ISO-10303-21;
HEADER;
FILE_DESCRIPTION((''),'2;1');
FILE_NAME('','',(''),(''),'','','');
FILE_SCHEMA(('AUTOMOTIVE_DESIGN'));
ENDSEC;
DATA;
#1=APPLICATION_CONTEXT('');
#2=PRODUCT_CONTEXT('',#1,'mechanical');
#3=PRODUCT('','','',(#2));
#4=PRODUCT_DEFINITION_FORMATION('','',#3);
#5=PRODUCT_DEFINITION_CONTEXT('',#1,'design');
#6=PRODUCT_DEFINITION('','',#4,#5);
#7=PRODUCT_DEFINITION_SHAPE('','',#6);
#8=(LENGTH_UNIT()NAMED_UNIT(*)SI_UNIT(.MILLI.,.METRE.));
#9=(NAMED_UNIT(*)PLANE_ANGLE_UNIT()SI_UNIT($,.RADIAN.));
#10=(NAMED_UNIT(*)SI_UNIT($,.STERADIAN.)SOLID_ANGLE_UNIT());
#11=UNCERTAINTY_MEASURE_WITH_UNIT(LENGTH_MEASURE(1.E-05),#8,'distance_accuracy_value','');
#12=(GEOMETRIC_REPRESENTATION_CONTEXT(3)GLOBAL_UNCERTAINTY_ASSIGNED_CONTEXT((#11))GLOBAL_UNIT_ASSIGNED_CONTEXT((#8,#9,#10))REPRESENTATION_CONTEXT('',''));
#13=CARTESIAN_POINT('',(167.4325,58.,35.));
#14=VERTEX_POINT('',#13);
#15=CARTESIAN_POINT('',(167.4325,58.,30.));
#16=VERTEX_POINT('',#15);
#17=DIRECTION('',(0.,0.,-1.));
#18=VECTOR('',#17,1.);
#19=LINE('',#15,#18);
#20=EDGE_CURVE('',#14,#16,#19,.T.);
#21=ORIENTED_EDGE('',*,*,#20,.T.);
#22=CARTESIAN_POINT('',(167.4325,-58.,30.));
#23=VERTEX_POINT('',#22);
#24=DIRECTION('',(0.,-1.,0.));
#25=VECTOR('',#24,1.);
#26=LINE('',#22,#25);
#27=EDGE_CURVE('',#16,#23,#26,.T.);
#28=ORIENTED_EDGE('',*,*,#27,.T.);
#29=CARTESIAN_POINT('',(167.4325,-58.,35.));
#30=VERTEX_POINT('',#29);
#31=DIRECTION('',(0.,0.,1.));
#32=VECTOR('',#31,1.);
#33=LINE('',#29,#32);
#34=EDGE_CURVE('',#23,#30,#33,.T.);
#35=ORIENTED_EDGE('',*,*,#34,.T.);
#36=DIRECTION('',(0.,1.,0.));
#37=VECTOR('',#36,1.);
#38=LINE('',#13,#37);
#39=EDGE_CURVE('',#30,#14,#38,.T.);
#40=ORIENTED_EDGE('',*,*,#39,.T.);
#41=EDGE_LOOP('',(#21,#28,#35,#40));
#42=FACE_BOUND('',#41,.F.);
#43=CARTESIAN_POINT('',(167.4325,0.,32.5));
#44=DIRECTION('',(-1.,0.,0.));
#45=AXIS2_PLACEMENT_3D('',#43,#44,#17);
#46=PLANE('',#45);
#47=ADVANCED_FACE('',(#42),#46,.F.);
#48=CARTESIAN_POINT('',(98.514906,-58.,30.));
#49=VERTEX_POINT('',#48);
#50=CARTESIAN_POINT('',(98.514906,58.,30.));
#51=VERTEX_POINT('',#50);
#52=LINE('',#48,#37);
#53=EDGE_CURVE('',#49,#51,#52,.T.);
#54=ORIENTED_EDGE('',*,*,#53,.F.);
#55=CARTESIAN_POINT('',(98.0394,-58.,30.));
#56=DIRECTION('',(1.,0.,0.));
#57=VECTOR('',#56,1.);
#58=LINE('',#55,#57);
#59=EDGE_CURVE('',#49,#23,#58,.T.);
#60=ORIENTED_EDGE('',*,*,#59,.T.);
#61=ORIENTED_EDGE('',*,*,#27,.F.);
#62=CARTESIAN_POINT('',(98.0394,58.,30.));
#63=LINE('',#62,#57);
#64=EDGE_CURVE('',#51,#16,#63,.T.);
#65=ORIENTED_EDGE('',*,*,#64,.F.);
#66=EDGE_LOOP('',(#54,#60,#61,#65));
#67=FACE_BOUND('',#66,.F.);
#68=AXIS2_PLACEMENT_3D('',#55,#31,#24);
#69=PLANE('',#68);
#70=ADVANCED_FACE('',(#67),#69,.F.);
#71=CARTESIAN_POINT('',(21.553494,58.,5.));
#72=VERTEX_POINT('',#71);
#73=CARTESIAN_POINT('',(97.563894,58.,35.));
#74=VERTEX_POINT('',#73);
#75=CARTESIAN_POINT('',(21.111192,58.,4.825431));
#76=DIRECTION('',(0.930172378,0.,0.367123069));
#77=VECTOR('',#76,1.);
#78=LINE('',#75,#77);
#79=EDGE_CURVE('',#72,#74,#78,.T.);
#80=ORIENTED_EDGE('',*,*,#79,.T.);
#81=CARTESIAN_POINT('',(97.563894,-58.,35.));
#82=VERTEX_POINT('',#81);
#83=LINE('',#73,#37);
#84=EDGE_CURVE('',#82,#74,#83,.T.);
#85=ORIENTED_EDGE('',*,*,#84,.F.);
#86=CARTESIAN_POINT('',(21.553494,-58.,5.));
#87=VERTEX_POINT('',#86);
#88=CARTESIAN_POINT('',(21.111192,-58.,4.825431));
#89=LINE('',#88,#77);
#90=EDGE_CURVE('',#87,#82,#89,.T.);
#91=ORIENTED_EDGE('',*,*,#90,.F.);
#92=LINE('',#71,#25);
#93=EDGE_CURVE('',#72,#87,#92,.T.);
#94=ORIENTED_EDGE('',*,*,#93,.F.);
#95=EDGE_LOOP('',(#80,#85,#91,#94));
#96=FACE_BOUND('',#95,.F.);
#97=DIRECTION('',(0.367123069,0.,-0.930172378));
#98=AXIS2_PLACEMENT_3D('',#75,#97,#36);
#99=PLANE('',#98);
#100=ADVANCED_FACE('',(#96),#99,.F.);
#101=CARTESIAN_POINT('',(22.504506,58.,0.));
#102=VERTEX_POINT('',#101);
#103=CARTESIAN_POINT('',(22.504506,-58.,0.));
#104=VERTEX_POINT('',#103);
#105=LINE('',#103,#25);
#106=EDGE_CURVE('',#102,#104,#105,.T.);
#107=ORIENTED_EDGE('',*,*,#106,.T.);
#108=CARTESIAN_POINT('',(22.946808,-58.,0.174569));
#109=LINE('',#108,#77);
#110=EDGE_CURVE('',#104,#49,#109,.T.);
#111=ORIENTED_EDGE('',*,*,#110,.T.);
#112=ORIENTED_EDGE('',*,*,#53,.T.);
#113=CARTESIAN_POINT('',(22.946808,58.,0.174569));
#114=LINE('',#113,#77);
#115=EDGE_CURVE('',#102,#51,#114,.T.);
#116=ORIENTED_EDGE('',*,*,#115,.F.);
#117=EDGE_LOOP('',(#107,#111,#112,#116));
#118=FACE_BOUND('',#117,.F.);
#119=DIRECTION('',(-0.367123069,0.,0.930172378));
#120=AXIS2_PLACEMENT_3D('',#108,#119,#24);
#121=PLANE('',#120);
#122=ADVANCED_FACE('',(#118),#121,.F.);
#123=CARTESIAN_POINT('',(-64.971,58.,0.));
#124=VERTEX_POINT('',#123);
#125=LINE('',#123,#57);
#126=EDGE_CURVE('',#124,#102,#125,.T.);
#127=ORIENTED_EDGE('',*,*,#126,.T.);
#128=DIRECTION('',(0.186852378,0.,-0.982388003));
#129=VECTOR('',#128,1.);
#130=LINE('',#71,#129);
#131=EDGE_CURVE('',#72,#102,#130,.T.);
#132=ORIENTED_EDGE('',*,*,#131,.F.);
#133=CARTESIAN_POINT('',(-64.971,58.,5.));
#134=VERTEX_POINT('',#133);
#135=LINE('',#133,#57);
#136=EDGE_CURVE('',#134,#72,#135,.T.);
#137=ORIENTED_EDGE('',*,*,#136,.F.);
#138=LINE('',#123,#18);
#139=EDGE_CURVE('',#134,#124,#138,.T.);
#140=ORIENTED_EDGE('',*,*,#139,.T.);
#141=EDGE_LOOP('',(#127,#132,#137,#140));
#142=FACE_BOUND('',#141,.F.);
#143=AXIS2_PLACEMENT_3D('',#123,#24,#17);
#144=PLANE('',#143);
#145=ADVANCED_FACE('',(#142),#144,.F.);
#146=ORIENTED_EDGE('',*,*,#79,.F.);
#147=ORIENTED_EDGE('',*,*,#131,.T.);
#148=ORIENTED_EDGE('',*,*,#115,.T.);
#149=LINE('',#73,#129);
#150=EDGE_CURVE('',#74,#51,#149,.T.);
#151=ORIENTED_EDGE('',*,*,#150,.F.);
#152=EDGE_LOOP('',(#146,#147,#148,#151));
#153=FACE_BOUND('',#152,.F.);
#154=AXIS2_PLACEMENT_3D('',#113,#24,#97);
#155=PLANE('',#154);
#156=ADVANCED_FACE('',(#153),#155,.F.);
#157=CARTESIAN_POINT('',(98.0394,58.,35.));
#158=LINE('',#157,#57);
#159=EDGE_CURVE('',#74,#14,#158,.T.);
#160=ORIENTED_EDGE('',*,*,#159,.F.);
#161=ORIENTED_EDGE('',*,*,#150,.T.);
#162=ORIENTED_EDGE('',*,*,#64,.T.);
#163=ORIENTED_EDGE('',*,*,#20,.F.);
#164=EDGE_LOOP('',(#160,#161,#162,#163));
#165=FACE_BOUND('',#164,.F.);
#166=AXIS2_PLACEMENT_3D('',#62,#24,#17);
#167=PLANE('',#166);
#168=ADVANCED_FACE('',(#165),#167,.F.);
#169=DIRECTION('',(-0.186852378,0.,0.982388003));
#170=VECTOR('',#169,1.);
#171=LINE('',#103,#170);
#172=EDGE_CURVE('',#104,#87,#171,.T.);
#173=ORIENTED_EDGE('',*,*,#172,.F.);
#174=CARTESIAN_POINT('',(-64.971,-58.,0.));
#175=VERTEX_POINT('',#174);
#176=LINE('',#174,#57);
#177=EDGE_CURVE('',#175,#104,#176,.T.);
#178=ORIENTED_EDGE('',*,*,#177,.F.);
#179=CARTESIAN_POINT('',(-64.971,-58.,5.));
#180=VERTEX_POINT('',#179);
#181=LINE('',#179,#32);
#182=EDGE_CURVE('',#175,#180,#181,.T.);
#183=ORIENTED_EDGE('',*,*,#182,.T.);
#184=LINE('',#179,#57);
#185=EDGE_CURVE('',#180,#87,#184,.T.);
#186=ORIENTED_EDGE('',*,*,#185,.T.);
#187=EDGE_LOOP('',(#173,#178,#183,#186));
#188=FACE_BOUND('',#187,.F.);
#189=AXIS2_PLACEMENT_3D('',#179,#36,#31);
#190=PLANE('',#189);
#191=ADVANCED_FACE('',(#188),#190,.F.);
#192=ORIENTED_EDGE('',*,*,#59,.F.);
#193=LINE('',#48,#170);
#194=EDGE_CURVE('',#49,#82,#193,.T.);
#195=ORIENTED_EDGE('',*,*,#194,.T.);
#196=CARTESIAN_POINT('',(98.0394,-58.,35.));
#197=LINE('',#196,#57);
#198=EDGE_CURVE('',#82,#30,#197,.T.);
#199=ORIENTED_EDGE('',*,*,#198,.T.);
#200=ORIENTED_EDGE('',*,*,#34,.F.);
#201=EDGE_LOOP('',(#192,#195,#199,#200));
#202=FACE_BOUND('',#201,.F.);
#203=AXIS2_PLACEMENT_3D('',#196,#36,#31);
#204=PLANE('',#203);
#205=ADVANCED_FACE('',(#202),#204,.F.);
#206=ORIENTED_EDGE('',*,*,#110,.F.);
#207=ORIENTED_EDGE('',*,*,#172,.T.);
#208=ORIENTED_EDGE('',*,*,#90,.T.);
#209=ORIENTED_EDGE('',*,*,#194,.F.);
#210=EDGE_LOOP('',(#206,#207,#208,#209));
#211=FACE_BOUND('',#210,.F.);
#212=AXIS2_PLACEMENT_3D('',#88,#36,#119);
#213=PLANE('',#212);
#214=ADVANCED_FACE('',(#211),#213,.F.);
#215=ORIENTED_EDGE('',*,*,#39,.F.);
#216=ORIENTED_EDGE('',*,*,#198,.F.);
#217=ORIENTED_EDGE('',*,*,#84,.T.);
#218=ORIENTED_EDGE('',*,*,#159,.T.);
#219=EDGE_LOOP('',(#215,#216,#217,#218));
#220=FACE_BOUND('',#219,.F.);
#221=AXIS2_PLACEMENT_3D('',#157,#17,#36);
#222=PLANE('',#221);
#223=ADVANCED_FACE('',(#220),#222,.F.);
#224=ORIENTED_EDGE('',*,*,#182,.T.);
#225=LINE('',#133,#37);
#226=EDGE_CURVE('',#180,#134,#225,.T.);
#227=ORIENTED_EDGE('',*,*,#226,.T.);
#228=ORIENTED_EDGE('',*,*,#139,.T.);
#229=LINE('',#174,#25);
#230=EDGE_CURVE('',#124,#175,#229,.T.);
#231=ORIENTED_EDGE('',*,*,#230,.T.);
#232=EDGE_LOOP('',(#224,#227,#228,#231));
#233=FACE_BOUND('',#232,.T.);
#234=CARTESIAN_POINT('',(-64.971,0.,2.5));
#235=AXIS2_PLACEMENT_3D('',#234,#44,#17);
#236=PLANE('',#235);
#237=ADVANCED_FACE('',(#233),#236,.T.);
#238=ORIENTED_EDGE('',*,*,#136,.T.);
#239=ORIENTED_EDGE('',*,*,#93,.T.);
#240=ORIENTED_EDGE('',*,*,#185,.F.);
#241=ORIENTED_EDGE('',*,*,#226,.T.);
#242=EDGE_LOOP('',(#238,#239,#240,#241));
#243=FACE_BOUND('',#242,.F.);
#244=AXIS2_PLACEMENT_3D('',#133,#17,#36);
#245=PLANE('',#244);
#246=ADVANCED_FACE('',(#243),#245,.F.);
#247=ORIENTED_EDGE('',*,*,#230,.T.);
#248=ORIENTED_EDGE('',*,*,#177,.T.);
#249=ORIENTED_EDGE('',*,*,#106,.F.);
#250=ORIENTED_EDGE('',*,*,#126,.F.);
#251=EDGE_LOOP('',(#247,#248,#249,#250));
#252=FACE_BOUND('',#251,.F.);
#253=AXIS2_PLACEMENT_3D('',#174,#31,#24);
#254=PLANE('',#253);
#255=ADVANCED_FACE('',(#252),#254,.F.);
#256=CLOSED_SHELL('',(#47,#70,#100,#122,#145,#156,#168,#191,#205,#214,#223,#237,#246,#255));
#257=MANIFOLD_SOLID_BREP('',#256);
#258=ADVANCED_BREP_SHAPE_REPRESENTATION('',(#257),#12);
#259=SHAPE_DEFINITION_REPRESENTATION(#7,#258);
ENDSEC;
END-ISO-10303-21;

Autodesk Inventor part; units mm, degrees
ref_plane "YZ Plane" through (0, 0, 0) normal (1, 0, 0) x (0, 1, 0)
ref_plane "XZ Plane" through (0, 0, 0) normal (0, 1, 0) x (-1, 0, 0)
ref_plane "XY Plane" through (0, 0, 0) normal (0, 0, 1) x (1, 0, 0)
ref_plane "Work Plane1" through (0, 0, 0) normal (0, 0, 1) x (1, 0, 0)
ref_plane "Work Plane2" through (-64.971, 55, -60) normal (-1, 0, 0) x (0, 0, 1)
sketch "Sketch2" plane through (-64.971, 55, -60) normal (-1, 0, 0) x (0, 0, 1)
  ellipse E0 centre (4.45, -98.8108) end of major axis (-15.5398, -98.8108) minor radius 0.0934 projected
  line L0 (5, -113) -> (60, -113) projected
  line L1 (60, 3) -> (12.1238, 3) projected
  line L2 (60, 3) -> (65, 3)
  line L3 (65, 3) -> (65, -113)
  line L4 (65, -113) -> (60, -113)
  line L5 (60, -113) -> (60, 3)
  point P0 (60, -55)
  dimension "d2" = 5
ref_plane "Work Plane3" through (-61.971, -58, -60) normal (0, -1, 0) x (1, 0, 0)
sketch "Sketch3" plane through (-61.971, -58, -60) normal (0, -1, 0) x (1, 0, 0)
  line L0 (-3, 65) -> (-3, 60) projected
  line L1 (5, 60) -> (84, 60) projected
  line L2 (160.0104, 90) -> (84, 60) projected
  line L3 (160.0104, 90) -> (221.6846, 90) projected
  line L4 (-3, 62.5) -> (84, 62.5)
  line L5 (84, 62.5) -> (160.0104, 92.5)
  spline S0 degree 3 poles (221.6846, 90) (223.5782, 90.3311) (225.4462, 90.6526) (226.8152, 90.8725) (228.4747, 91.1391) (229.032, 91.2163) (229.4035, 91.2679) knots 0 0 0 0 0.710077 0.710077 0.710077 1.570796 1.570796 1.570796 1.570796 projected
  line L6 (160.0104, 92.5) -> (229.4035, 92.5)
  point P0 (61.971, 60)
sweep "Sweep1" add profiles "Sketch2" path "Sketch3" path curves L4 L5 L6 contours L2 L3 L4 L5
properties part number "Lock1"
